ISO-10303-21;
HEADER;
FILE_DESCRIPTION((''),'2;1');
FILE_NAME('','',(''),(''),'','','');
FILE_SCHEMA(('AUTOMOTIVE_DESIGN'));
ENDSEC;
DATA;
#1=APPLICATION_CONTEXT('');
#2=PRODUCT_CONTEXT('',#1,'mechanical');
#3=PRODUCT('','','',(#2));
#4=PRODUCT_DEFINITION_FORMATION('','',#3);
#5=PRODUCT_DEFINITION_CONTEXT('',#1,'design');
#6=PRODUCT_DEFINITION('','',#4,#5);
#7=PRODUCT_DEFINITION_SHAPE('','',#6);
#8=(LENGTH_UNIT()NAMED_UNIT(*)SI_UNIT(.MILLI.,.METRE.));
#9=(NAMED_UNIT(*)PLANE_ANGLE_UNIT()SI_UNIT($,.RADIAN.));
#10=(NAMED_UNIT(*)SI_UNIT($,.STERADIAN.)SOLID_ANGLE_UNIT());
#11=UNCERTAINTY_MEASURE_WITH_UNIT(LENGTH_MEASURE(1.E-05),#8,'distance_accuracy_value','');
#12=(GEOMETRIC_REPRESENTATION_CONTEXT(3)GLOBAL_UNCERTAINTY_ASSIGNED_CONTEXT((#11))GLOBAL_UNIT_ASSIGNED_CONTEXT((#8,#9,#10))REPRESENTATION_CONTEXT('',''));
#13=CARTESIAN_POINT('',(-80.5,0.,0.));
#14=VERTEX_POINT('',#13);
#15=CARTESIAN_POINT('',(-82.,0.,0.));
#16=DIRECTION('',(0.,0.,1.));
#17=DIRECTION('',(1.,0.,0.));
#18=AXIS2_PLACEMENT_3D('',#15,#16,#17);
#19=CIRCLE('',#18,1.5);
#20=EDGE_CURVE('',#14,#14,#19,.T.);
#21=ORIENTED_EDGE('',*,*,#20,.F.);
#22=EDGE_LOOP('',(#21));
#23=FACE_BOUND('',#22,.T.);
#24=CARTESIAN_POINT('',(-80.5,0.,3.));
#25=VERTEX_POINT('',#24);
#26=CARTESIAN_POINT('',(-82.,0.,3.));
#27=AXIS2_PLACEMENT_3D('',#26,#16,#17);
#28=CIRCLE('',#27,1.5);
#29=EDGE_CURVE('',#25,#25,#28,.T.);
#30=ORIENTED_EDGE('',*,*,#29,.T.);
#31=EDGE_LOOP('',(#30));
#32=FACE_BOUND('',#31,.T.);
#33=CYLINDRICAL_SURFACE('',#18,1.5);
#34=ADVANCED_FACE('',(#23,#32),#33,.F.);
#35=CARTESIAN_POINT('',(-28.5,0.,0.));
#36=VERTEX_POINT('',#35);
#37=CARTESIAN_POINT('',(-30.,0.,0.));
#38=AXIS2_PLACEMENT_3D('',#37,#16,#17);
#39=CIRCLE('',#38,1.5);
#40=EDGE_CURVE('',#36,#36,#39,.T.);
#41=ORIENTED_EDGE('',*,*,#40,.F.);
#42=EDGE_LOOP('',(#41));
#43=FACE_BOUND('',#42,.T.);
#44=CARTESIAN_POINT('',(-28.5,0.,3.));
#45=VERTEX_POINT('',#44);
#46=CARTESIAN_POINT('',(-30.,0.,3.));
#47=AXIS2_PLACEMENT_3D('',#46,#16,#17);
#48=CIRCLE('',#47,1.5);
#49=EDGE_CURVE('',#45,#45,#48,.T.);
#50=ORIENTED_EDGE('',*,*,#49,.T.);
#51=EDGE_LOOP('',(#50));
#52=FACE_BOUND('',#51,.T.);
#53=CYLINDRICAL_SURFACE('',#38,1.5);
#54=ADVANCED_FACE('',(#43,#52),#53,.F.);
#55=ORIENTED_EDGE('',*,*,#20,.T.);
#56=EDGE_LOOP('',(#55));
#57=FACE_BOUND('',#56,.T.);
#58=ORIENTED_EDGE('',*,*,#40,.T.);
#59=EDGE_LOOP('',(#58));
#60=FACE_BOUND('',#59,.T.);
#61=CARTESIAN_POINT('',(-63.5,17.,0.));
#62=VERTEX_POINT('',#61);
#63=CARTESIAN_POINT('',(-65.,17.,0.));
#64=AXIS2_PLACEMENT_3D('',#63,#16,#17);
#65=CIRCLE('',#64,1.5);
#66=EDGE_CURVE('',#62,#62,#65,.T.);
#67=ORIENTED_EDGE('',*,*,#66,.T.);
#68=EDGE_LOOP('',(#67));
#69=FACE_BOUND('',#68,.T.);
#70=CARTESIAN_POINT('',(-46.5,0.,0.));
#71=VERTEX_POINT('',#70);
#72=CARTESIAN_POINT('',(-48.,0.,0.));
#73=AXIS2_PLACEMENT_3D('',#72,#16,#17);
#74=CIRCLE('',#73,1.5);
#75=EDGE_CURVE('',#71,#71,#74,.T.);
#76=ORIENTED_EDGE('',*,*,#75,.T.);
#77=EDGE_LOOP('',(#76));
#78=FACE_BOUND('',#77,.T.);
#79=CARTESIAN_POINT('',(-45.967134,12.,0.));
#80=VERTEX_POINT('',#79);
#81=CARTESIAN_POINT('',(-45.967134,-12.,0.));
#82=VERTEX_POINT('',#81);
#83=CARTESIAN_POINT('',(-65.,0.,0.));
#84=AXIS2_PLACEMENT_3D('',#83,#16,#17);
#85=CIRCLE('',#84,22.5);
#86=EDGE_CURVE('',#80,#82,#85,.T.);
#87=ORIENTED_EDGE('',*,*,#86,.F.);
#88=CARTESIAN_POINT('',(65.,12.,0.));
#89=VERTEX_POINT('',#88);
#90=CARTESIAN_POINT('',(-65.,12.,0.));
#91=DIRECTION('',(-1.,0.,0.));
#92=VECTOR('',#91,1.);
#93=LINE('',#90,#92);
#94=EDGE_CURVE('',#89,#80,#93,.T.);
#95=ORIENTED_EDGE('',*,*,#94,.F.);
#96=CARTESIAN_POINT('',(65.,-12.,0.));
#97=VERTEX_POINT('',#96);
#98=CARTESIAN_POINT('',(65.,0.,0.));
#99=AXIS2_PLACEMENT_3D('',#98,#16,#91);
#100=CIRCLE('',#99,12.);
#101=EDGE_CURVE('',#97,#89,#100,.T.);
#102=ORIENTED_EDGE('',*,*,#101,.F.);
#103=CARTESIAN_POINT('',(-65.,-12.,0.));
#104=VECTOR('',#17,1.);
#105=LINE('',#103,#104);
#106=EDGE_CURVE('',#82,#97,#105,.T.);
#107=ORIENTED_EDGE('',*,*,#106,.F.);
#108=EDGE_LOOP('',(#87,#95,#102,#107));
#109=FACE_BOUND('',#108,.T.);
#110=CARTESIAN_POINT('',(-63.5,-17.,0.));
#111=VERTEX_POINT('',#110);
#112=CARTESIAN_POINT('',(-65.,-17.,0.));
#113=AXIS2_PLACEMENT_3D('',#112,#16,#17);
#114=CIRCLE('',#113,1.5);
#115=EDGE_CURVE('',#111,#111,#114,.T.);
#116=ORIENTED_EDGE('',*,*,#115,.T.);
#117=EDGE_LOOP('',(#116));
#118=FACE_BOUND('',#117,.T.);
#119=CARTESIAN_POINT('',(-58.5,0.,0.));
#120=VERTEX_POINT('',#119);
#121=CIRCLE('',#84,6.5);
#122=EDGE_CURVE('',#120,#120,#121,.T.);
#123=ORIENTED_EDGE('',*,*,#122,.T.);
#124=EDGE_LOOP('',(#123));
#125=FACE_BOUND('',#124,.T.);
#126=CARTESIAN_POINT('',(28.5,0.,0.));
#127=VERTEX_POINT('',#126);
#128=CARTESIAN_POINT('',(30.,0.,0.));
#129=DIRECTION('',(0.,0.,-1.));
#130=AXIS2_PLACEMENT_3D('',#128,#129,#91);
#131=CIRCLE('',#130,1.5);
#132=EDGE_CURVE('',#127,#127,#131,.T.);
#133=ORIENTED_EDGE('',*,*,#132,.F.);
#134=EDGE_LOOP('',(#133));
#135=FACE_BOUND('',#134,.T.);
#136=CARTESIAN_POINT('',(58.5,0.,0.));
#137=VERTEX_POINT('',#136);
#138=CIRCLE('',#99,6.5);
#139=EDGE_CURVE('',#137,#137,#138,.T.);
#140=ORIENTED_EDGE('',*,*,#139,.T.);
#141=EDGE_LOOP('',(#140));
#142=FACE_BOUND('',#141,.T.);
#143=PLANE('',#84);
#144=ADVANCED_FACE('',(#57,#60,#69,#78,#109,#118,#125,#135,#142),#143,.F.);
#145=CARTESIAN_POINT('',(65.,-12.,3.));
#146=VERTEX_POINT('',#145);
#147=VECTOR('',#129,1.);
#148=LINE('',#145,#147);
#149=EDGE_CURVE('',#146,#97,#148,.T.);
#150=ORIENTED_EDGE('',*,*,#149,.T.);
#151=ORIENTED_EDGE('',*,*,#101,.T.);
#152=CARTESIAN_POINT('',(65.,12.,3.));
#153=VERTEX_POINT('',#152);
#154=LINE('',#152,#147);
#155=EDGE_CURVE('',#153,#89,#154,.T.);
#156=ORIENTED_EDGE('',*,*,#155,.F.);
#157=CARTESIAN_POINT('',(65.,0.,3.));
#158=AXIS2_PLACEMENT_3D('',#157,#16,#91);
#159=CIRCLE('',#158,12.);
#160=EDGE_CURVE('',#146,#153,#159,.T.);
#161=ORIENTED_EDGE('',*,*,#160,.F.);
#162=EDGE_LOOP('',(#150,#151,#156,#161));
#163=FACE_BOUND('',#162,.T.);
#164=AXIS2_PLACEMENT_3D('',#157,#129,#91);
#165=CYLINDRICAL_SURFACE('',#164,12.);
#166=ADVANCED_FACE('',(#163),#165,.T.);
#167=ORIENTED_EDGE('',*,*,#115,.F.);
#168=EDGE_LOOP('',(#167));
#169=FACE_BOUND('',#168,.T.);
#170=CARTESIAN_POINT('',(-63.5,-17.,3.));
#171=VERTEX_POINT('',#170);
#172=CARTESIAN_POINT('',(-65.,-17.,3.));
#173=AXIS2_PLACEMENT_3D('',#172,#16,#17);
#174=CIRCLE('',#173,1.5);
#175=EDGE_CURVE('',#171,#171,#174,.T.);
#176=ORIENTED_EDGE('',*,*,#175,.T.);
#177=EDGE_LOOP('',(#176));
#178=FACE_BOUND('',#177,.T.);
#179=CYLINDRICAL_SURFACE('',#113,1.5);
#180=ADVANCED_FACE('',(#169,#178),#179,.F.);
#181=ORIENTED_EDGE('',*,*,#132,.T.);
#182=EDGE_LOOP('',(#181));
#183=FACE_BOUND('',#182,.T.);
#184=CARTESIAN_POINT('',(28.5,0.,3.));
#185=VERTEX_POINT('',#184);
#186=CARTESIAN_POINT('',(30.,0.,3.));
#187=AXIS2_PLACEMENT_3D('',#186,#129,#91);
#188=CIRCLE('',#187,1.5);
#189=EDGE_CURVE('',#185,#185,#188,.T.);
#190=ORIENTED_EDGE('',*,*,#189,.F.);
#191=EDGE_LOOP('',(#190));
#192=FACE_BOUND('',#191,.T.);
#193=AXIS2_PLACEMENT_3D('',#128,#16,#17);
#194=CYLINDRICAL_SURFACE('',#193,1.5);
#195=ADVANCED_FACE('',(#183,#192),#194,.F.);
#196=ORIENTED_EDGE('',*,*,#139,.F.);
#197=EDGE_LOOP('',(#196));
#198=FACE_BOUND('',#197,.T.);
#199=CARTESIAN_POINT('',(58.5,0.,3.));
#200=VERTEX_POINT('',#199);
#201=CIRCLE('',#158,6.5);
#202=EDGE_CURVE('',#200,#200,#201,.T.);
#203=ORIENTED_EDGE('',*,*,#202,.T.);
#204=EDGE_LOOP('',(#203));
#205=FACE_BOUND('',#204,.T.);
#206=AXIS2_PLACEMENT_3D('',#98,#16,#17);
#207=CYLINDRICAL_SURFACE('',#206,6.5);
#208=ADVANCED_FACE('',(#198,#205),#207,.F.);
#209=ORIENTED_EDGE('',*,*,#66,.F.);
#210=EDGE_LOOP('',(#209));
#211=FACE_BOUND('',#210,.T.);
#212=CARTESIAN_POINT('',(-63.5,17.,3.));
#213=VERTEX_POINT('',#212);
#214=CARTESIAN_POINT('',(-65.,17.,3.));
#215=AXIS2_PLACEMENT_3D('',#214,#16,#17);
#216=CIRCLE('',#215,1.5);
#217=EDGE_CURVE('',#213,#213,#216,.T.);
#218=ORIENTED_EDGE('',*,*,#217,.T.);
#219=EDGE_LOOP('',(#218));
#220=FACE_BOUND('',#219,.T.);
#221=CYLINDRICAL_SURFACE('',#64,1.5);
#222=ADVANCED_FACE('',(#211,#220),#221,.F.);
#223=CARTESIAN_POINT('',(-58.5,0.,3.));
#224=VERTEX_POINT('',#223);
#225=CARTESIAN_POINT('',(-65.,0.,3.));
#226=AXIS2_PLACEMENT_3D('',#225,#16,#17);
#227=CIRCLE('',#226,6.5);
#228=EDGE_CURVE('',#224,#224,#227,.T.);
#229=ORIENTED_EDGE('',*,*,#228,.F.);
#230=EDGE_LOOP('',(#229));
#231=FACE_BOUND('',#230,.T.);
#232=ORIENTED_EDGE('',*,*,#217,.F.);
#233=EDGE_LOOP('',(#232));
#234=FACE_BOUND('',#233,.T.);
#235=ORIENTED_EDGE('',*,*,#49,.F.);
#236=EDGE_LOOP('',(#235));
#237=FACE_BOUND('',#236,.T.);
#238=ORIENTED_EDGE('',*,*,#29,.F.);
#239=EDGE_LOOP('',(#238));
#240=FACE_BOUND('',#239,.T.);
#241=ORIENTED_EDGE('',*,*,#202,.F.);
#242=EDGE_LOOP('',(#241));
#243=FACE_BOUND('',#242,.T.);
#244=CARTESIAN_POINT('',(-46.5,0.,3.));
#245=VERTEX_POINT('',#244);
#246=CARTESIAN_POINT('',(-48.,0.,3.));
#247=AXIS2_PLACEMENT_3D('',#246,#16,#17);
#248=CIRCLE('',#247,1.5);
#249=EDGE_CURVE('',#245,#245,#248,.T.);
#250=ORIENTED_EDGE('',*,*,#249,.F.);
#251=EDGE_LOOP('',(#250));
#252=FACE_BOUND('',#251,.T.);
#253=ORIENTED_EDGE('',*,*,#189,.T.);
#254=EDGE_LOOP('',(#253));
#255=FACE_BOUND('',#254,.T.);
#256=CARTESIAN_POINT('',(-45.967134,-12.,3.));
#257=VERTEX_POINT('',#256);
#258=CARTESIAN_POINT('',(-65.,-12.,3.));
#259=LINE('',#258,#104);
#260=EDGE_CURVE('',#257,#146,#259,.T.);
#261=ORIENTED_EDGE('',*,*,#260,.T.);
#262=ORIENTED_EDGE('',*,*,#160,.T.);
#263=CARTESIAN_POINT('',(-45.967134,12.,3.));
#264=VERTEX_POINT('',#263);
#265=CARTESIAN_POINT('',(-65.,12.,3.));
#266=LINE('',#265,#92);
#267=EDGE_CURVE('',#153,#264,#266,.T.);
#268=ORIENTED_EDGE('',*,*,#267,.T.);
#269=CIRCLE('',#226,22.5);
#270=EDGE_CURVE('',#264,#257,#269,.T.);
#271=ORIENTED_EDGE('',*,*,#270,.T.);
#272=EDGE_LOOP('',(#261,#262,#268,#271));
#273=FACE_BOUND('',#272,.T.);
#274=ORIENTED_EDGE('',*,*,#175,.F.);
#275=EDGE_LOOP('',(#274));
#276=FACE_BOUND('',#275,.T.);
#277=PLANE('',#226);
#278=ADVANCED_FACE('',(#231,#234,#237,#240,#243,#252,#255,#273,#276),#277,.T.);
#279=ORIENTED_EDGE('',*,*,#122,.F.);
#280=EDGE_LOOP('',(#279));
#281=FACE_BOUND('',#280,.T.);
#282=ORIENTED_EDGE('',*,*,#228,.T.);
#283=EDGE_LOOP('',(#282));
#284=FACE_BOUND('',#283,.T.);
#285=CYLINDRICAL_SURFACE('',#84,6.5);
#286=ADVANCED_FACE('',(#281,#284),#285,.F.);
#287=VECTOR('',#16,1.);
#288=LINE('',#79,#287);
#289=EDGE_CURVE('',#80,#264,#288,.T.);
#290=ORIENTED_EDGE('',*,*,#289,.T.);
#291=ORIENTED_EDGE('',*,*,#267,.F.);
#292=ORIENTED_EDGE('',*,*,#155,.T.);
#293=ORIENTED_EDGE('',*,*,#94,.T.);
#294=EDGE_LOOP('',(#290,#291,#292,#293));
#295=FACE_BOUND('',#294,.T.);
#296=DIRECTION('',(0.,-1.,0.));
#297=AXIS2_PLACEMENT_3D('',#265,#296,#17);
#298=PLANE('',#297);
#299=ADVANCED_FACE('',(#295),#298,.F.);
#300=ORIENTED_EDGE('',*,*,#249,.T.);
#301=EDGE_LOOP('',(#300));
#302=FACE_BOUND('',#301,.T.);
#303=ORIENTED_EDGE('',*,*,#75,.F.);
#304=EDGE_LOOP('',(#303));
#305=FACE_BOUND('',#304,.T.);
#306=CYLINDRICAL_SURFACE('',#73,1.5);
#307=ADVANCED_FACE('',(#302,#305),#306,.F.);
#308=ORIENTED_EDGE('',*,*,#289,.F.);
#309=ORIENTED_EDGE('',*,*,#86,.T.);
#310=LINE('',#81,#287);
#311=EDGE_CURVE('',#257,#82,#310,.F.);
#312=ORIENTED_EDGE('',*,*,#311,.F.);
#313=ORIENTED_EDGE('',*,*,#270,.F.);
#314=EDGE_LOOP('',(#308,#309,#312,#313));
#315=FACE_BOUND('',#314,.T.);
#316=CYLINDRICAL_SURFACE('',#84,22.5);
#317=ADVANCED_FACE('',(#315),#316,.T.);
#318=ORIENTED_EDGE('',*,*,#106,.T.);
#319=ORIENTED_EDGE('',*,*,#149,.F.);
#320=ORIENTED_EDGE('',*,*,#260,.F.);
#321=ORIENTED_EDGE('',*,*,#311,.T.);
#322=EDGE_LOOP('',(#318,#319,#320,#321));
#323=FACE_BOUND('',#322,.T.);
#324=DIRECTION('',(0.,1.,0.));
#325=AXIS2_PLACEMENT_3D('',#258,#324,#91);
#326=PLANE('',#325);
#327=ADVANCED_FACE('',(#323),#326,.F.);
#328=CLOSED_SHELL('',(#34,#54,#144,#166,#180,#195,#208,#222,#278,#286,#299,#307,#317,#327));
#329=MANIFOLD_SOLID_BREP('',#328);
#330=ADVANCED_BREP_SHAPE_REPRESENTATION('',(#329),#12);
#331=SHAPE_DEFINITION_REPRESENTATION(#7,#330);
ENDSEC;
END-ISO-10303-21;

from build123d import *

# Parameters (mm, degrees)
BOSS_EXTRU_1_DEPTH           = 3
ESQUISSE2_R                  = 6.5
ENL_V_MAT_EXTRU_1_DEPTH      = 78.987178433
ENL_V_MAT_EXTRU_2_DEPTH      = 78.987178433
ENL_V_MAT_EXTRU_2_DEPTH_BACK = 78.987178433
ESQUISSE4_R                  = 1.5
ESQUISSE5_R                  = 22.5
ESQUISSE5_R_2                = 6.5
BOSS_EXTRU_2_DEPTH           = 3
ESQUISSE6_R                  = 1.5
ENL_V_MAT_EXTRU_3_DEPTH      = 91.396349484


with BuildPart() as part:
    # Esquisse1 → Boss.-Extru.1 (new body)
    with BuildSketch(Plane.XY):
        with BuildLine():
            Line((-65, 12), (65, 12))
            ThreePointArc((65, 12), (77, 0), (65, -12))
            Line((65, -12), (-65, -12))
            ThreePointArc((-65, -12), (-77, 0), (-65, 12))
        make_face()
    extrude(amount=BOSS_EXTRU_1_DEPTH)

    # Esquisse2 → Enlèv. mat.-Extru.1 (cut, through all)
    with BuildSketch(Plane.XY.offset(3)):
        with Locations((-65, 0)):
            Circle(ESQUISSE2_R)
        with Locations(Location((65, 0, 0), (0, 0, 180))):
            Circle(ESQUISSE2_R)
    extrude(amount=-ENL_V_MAT_EXTRU_1_DEPTH, mode=Mode.SUBTRACT)

    # Esquisse4 → Enlèv. mat.-Extru.2 (cut, two sides: drawn at the far end of the back side and taken through both)
    with BuildSketch(Plane.XY.offset(3).offset(-ENL_V_MAT_EXTRU_2_DEPTH_BACK)):
        with Locations((-30, 0)):
            Circle(ESQUISSE4_R)
        with Locations(Location((30, 0, 0), (0, 0, 180))):
            Circle(ESQUISSE4_R)
    extrude(amount=ENL_V_MAT_EXTRU_2_DEPTH + ENL_V_MAT_EXTRU_2_DEPTH_BACK, mode=Mode.SUBTRACT)

    # Esquisse5 → Boss.-Extru.2 (add)
    with BuildSketch(Plane.XY.offset(3)):
        with Locations((-65, 0)):
            Circle(ESQUISSE5_R)
        with Locations((-65, 0)):
            Circle(ESQUISSE5_R_2, mode=Mode.SUBTRACT)
    extrude(amount=-BOSS_EXTRU_2_DEPTH)

    # Esquisse6 → Enlèv. mat.-Extru.3 (cut, through all)
    with BuildSketch(Plane.XY.offset(3)):
        with Locations((-65, 17)):
            Circle(ESQUISSE6_R)
        with Locations((-48, 0)):
            Circle(ESQUISSE6_R)
        with Locations((-65, -17)):
            Circle(ESQUISSE6_R)
        with Locations((-82, 0)):
            Circle(ESQUISSE6_R)
    extrude(amount=-ENL_V_MAT_EXTRU_3_DEPTH, mode=Mode.SUBTRACT)


solid = part.part
